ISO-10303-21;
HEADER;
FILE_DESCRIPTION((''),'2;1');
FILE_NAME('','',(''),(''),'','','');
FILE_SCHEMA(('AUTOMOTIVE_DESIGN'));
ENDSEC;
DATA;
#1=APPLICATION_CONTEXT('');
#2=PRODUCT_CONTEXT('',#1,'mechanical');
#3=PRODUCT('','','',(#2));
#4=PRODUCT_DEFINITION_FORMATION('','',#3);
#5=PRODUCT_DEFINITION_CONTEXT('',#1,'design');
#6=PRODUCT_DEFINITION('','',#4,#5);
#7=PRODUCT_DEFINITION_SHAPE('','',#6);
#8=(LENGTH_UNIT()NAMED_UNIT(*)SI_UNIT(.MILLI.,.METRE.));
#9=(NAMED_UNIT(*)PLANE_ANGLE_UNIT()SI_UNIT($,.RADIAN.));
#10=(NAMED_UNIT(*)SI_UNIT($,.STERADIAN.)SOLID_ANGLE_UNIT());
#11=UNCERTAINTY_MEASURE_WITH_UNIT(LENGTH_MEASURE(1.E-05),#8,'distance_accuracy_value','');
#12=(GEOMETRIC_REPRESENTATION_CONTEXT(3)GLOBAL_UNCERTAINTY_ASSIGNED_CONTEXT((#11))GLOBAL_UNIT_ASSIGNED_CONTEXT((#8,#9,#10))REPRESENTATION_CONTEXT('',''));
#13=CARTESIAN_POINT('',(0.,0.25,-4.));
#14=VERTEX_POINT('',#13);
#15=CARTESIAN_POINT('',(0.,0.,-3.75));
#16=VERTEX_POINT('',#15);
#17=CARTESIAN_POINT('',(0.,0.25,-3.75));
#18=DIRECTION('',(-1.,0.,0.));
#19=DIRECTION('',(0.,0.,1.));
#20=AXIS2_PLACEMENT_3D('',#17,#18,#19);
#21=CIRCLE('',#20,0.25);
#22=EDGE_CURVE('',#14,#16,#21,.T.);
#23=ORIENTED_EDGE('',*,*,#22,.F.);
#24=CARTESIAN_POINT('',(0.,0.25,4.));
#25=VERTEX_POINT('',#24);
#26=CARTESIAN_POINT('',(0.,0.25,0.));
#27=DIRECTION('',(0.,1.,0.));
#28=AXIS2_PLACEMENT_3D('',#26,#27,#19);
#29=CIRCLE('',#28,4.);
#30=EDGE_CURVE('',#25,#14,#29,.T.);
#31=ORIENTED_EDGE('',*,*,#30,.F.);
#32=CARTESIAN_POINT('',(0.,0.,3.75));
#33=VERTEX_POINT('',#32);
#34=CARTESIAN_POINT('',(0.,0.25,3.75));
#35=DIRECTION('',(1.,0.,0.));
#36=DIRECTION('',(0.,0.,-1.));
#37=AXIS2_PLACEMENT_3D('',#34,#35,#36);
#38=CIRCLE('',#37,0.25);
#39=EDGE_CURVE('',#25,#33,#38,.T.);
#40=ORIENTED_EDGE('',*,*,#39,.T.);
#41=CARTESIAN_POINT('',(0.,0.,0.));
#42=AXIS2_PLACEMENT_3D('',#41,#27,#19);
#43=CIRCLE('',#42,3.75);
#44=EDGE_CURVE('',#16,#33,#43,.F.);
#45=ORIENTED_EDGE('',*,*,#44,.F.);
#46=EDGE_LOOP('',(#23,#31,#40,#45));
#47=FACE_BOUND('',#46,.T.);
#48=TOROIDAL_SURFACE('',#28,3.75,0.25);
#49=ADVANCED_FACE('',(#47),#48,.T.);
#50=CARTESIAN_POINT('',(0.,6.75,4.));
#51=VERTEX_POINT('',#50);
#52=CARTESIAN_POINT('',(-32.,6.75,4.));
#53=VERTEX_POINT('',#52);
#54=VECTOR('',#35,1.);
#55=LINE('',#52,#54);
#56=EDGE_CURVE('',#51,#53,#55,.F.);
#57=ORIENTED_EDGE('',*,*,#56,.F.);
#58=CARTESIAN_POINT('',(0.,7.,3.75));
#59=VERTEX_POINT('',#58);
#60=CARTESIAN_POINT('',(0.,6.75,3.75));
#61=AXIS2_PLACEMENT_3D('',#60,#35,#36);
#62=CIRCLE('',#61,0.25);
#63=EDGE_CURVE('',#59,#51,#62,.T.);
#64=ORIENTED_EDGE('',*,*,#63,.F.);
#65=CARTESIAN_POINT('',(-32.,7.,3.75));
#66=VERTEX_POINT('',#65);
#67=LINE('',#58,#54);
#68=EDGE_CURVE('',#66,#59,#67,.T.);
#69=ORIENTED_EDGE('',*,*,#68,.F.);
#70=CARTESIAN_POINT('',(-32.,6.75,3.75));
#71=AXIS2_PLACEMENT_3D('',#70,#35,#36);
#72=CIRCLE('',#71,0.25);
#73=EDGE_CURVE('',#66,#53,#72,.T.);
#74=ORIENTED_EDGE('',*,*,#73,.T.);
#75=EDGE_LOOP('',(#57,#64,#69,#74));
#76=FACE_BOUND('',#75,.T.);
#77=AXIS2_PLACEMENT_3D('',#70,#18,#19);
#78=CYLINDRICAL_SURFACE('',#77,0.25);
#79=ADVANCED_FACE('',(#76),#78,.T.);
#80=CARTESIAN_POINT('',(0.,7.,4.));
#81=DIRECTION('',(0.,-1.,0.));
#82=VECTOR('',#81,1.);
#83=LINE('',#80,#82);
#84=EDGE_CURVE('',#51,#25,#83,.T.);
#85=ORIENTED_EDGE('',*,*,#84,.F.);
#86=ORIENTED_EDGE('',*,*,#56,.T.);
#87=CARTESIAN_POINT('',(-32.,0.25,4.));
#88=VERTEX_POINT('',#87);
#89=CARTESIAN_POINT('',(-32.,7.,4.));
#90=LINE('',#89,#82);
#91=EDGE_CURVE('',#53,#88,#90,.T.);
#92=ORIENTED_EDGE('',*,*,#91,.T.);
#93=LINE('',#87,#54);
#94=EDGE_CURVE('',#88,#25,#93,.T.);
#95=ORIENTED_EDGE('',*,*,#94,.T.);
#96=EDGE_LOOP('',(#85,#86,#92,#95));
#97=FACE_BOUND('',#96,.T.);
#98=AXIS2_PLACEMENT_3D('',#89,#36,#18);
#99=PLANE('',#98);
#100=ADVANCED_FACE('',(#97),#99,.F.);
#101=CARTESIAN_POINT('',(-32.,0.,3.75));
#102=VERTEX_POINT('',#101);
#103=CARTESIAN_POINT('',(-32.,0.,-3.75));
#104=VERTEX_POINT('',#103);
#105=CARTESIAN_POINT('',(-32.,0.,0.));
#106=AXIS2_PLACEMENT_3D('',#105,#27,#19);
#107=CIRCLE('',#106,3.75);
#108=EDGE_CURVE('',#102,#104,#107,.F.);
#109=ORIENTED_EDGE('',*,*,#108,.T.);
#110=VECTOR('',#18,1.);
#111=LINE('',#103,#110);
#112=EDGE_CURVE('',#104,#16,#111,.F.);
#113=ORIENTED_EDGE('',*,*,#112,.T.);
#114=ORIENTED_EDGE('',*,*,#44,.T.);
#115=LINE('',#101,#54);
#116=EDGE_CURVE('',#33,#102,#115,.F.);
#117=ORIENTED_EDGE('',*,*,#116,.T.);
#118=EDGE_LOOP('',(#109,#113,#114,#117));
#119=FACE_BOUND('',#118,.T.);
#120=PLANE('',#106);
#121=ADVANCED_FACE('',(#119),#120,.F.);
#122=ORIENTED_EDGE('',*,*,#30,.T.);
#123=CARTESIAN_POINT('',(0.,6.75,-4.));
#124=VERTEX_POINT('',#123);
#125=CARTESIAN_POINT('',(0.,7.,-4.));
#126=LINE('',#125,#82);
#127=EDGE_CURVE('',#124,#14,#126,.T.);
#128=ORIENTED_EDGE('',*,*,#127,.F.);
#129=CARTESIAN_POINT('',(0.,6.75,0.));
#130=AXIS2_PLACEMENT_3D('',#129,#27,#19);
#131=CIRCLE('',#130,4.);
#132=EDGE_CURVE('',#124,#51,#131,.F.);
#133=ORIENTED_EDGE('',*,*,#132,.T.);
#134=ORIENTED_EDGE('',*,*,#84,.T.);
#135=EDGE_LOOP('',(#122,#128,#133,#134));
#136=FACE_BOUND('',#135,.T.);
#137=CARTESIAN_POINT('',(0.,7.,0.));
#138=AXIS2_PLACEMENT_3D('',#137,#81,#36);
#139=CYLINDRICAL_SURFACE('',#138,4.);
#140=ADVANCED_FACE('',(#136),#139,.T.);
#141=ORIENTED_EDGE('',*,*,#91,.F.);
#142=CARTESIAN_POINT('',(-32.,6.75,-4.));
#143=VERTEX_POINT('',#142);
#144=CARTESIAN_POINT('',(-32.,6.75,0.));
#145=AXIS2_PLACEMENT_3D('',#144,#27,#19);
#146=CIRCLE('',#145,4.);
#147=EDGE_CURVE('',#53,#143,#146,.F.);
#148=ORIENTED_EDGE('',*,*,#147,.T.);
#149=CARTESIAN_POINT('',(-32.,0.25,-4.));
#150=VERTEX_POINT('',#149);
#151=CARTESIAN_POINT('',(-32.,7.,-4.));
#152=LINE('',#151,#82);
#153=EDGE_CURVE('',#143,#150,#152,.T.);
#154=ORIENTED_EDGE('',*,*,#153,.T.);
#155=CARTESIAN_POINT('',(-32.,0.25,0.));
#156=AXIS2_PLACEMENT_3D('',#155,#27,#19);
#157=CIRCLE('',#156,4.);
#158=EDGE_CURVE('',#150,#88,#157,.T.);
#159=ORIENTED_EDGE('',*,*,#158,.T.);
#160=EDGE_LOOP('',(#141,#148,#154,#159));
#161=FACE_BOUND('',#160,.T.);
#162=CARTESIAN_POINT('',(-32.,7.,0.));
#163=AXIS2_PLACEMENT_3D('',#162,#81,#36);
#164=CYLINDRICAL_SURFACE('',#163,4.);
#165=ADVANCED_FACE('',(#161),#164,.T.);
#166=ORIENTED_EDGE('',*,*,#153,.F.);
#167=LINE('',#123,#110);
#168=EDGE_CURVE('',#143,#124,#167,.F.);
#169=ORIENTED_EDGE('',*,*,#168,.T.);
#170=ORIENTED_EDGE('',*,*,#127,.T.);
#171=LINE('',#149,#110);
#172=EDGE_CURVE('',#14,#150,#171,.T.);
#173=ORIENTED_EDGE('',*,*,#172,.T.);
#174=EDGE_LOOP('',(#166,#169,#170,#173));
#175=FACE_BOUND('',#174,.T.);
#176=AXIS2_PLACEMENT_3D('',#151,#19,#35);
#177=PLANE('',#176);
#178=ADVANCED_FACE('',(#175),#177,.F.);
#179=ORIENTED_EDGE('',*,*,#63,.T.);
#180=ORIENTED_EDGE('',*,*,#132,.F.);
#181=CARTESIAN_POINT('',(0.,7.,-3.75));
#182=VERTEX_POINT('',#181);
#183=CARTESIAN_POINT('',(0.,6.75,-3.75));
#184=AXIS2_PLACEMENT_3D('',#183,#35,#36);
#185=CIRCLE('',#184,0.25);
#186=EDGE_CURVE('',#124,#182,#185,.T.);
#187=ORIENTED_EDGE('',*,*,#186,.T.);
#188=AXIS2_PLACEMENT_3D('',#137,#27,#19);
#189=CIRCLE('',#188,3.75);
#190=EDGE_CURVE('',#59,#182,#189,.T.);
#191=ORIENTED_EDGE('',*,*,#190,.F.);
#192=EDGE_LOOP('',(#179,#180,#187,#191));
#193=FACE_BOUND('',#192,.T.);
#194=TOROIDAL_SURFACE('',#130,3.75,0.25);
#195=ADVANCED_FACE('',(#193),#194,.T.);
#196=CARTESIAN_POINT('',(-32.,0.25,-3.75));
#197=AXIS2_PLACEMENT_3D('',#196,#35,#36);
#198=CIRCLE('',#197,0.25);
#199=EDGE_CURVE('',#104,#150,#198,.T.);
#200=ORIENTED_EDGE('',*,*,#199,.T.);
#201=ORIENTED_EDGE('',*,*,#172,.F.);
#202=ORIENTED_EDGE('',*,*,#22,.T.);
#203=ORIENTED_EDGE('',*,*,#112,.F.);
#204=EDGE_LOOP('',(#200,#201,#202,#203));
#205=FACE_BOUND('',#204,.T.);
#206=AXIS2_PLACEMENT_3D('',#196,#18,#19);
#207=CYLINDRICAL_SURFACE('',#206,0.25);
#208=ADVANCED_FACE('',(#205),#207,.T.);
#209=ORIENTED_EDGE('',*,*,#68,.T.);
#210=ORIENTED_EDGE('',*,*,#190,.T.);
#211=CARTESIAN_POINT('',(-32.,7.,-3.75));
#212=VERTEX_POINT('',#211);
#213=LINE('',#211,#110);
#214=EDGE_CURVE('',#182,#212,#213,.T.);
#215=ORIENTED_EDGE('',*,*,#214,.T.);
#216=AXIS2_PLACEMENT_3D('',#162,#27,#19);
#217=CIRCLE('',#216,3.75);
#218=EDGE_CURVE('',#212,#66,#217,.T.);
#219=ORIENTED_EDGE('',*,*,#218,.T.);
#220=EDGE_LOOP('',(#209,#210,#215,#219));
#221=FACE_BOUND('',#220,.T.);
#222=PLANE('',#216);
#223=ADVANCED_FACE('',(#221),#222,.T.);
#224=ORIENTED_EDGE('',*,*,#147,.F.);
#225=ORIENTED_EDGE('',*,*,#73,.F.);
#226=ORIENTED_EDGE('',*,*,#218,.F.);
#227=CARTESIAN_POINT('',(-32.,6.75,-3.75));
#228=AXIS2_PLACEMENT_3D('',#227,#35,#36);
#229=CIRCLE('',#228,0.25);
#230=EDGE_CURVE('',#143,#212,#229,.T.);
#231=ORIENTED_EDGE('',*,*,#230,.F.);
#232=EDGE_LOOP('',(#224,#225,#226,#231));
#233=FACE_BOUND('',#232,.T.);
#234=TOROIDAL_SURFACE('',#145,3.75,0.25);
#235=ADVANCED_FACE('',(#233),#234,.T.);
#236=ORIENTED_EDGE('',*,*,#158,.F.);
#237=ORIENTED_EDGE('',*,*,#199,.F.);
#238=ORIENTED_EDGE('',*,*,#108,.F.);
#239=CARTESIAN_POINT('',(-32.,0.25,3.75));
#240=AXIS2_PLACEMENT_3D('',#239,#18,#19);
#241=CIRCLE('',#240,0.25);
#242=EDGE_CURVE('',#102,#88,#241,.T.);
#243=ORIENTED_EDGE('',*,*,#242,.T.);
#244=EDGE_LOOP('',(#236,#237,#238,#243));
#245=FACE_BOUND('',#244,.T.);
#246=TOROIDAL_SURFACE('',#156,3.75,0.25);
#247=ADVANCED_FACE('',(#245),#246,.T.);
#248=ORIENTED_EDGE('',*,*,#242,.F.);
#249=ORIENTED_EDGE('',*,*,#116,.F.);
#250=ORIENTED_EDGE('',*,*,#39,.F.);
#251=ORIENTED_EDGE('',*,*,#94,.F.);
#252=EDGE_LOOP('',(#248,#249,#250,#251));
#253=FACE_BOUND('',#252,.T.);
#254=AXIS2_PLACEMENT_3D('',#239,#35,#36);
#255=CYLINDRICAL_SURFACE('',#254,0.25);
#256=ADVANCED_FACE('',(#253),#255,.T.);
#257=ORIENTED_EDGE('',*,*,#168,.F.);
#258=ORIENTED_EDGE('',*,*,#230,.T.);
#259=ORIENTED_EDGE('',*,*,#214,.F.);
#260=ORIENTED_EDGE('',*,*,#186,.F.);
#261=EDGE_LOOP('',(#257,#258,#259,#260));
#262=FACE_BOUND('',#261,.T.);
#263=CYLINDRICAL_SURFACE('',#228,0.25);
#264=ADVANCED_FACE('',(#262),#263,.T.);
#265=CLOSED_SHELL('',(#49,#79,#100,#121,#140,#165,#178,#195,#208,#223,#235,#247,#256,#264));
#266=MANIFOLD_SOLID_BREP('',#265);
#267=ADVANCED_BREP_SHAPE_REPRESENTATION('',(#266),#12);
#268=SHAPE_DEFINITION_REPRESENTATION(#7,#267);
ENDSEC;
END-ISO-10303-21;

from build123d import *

# Parameters (mm, degrees)
EXTRUDE1_DEPTH = 7
FILLET1_R      = 0.25


with BuildPart() as part:
    # Sketch1 → Extrude1 (new body)
    with BuildSketch(Plane(origin=(0, 0, 0), x_dir=(1, 0, 0), z_dir=(0, 1, 0))):
        with BuildLine():
            Line((-32, 4), (0, 4))
            ThreePointArc((0, 4), (4, 0), (0, -4))
            Line((0, -4), (-32, -4))
            ThreePointArc((-32, -4), (-36, 0), (-32, 4))
        make_face()
    extrude(amount=EXTRUDE1_DEPTH)

    # Fillet1
    fillet1_edges = [part.edges().sort_by_distance(p)[0] for p in [
        (4, 7, 0),
        (-16, 7, -4),
        (-36, 7, 0),
        (-16, 0, -4),
        (4, 0, 0),
        (-16, 0, 4),
        (-36, 0, 0),
        (-16, 7, 4),
    ]]
    fillet(fillet1_edges, radius=FILLET1_R)


solid = part.part
